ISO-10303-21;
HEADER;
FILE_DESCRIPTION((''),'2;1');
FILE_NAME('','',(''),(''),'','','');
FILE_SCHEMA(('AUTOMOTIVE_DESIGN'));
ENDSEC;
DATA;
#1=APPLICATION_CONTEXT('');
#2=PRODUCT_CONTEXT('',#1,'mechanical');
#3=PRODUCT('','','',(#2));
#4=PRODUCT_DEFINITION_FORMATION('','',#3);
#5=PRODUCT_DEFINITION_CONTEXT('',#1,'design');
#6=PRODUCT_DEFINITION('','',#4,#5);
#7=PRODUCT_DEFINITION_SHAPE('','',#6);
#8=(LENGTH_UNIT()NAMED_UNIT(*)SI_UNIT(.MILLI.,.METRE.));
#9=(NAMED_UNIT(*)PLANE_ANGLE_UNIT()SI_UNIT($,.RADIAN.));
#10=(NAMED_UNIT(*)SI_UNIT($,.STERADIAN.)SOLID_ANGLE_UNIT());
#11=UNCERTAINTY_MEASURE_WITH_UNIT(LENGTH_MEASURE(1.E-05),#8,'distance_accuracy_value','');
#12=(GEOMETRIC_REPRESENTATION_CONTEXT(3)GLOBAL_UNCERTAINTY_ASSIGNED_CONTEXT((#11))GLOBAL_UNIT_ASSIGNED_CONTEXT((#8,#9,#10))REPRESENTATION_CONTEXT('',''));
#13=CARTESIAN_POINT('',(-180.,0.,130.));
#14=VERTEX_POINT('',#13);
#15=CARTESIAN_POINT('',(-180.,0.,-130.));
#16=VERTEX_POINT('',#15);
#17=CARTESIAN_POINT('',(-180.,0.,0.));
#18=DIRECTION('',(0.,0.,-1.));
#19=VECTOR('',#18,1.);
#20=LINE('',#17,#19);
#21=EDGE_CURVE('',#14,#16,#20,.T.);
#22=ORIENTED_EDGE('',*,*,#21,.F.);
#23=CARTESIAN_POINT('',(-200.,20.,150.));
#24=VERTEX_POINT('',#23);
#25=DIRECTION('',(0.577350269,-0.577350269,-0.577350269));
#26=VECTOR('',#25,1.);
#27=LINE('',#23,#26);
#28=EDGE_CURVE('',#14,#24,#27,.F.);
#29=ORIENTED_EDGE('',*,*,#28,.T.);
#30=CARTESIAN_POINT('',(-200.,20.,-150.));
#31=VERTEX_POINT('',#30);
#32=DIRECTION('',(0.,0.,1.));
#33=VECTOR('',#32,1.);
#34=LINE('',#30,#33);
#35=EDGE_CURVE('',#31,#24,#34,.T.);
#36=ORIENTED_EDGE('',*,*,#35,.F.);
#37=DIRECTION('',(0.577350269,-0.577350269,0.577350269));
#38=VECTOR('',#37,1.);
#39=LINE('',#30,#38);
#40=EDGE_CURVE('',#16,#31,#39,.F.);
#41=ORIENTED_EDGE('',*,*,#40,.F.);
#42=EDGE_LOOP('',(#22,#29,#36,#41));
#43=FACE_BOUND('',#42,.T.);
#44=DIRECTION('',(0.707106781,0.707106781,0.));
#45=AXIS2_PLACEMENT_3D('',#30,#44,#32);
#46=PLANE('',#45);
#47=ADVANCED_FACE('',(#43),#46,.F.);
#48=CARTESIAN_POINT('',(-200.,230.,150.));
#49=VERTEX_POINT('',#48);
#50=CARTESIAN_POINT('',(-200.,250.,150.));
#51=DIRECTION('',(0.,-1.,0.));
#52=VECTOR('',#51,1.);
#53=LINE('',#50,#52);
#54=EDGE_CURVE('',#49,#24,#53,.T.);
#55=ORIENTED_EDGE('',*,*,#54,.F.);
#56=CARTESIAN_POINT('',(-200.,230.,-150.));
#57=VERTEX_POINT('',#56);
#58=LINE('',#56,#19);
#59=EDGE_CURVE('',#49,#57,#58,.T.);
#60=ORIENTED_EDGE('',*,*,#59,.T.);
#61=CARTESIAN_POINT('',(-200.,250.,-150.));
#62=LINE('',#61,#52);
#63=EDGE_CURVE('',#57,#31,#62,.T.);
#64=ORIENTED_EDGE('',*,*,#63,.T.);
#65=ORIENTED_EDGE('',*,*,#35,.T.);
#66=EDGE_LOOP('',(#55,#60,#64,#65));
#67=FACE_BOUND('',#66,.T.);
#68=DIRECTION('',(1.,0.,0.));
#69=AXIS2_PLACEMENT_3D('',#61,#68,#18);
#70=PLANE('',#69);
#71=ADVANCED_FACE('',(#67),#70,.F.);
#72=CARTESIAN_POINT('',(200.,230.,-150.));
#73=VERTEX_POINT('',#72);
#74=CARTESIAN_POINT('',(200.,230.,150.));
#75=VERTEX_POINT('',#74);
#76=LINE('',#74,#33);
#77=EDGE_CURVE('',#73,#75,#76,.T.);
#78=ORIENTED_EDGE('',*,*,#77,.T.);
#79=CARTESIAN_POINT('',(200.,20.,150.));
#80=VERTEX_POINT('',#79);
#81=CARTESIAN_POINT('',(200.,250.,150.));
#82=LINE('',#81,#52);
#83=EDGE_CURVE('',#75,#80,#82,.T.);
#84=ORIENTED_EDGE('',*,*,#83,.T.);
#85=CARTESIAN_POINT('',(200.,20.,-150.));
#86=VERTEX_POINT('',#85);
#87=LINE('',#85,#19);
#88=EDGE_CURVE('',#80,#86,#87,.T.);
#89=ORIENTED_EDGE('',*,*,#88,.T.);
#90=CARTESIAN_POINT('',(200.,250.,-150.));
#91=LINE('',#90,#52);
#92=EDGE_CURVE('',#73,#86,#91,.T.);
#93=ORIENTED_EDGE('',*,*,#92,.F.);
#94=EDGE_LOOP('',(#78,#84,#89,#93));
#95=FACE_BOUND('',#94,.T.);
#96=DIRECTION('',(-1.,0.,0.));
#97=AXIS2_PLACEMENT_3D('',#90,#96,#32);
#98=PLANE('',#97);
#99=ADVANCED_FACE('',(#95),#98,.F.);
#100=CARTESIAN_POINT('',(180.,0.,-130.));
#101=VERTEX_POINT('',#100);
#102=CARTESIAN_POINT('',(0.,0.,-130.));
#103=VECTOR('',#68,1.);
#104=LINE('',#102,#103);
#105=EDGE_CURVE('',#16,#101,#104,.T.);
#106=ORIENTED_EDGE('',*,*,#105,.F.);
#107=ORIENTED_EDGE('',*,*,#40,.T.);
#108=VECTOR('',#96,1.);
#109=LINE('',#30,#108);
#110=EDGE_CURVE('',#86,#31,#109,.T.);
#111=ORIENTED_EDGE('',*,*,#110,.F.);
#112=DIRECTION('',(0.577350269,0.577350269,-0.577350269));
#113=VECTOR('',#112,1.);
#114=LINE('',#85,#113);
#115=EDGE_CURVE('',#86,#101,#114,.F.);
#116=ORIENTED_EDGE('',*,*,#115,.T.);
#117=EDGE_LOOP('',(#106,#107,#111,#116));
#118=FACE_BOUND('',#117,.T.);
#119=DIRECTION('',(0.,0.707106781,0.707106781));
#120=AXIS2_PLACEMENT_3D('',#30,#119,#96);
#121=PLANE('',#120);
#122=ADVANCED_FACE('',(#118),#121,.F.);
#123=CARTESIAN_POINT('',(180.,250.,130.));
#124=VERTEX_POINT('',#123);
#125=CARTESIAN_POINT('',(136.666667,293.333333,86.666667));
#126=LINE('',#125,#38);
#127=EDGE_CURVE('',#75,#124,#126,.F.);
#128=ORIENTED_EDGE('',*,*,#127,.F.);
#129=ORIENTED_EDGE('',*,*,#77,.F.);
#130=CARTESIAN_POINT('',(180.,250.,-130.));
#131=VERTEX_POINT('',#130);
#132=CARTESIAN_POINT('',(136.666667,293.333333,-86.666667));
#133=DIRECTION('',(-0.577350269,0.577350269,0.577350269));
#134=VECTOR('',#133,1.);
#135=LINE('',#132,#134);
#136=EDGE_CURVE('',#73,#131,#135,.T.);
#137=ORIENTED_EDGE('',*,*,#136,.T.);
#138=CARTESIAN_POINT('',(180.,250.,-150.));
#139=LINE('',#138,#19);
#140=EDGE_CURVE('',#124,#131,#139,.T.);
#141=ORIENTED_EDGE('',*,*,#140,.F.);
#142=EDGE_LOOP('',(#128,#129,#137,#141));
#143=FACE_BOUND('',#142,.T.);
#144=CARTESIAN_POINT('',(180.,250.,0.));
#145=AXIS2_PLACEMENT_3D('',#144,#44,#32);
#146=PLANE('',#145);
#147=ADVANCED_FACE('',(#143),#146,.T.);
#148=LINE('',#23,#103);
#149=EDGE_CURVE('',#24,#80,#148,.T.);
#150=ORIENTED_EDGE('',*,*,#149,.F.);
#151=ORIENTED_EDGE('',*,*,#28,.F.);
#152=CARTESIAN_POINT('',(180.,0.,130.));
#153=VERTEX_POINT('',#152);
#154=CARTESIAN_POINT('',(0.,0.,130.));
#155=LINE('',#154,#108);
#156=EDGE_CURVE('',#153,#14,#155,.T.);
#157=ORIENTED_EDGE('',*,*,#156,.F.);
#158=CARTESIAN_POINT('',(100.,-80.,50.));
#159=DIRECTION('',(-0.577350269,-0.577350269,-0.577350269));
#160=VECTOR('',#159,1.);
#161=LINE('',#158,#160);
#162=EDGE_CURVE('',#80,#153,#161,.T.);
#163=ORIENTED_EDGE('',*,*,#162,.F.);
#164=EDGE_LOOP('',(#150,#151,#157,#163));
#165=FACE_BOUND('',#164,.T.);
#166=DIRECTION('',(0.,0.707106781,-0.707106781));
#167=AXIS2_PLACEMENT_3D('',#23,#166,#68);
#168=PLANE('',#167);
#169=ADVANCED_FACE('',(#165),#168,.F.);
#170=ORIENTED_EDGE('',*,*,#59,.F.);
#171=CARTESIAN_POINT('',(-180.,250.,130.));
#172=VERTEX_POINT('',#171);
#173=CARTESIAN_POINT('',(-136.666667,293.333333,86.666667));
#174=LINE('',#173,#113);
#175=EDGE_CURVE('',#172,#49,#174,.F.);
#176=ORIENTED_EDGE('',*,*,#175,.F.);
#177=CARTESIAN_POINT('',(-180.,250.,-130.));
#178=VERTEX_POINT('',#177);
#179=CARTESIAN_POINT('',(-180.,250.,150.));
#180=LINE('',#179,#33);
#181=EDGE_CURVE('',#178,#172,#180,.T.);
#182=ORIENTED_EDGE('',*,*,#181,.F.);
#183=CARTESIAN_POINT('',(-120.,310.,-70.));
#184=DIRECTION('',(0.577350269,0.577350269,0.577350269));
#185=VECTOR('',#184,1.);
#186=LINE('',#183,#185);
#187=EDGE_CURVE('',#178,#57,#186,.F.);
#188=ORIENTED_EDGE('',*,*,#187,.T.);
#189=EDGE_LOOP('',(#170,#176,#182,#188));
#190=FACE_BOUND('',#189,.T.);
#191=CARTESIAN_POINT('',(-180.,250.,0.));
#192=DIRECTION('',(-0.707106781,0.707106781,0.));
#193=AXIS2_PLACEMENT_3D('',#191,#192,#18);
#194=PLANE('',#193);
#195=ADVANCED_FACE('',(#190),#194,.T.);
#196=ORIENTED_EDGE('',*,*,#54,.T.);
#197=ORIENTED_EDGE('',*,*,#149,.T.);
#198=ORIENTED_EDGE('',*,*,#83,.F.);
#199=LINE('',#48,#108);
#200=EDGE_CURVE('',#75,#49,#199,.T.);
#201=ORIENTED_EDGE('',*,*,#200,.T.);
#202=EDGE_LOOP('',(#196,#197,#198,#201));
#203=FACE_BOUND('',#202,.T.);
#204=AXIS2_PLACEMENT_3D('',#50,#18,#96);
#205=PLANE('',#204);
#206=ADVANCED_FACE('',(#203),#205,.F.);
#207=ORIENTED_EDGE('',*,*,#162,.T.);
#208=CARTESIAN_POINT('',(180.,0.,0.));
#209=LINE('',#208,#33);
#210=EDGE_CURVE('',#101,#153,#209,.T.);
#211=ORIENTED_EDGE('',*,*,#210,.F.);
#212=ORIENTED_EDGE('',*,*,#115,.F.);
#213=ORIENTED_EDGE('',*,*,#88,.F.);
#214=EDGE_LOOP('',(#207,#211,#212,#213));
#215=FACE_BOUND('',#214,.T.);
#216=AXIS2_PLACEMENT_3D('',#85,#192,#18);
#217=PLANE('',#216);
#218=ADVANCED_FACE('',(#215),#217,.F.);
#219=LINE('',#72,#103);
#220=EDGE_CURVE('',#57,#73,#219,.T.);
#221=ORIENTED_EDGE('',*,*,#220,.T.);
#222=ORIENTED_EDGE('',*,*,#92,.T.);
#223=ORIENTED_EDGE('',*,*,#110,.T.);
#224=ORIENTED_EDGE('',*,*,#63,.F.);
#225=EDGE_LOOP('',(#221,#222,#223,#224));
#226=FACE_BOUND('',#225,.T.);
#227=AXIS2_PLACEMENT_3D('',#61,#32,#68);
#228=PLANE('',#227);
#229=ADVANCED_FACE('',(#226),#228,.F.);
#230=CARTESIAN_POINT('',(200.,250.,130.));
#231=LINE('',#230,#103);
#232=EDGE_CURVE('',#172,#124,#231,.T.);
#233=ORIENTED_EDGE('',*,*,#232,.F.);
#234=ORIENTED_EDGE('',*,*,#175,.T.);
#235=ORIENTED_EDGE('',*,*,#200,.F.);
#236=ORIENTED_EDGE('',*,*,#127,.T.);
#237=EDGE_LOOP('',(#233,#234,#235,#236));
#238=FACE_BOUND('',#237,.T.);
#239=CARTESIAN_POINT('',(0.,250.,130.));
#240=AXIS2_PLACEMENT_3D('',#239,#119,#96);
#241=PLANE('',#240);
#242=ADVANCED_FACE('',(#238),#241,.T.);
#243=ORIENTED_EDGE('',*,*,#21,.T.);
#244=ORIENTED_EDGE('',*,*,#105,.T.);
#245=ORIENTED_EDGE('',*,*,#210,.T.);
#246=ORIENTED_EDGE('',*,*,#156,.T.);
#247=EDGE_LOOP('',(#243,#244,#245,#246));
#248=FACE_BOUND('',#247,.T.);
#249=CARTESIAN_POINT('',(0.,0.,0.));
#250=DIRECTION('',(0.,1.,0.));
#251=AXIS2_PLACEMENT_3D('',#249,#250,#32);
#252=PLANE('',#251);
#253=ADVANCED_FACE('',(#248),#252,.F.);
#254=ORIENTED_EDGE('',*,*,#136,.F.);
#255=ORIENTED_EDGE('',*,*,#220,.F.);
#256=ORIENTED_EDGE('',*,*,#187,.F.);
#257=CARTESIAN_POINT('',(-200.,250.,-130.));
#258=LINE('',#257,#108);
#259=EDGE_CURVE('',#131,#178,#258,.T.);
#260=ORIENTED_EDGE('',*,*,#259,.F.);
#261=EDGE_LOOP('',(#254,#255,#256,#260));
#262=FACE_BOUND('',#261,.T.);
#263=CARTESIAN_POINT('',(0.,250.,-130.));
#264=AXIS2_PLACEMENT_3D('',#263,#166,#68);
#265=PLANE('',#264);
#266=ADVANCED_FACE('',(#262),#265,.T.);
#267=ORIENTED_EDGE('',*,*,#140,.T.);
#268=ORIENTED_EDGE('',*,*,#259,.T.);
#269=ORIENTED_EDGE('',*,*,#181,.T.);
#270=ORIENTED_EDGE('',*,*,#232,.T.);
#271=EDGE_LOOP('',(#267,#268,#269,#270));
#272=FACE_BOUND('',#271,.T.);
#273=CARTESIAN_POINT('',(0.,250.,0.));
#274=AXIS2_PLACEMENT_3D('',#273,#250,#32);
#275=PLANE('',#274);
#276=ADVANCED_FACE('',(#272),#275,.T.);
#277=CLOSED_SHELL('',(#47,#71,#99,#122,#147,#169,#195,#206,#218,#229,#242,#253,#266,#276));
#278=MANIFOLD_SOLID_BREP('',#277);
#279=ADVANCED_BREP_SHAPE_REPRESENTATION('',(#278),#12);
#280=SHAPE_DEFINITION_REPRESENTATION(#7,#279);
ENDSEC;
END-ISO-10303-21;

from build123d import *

# Parameters (mm, degrees)
SKETCH1_W           = 400
SKETCH1_H           = 300
BOSS_EXTRUDE1_DEPTH = 250
CHAMFER1_SIZE       = 20


with BuildPart() as part:
    # Sketch1 → Boss-Extrude1 (new body)
    with BuildSketch(Plane(origin=(0, 0, 0), x_dir=(1, 0, 0), z_dir=(0, 1, 0))):
        Rectangle(SKETCH1_W, SKETCH1_H)
    extrude(amount=BOSS_EXTRUDE1_DEPTH)

    # Chamfer1
    chamfer1_edges = [part.edges().sort_by_distance(p)[0] for p in [
        (-200, 250, 0),
        (0, 250, 150),
        (200, 250, 0),
        (0, 0, 150),
        (-200, 0, 0),
        (0, 0, -150),
        (200, 0, 0),
        (0, 250, -150),
    ]]
    chamfer(chamfer1_edges, length=CHAMFER1_SIZE)


solid = part.part
